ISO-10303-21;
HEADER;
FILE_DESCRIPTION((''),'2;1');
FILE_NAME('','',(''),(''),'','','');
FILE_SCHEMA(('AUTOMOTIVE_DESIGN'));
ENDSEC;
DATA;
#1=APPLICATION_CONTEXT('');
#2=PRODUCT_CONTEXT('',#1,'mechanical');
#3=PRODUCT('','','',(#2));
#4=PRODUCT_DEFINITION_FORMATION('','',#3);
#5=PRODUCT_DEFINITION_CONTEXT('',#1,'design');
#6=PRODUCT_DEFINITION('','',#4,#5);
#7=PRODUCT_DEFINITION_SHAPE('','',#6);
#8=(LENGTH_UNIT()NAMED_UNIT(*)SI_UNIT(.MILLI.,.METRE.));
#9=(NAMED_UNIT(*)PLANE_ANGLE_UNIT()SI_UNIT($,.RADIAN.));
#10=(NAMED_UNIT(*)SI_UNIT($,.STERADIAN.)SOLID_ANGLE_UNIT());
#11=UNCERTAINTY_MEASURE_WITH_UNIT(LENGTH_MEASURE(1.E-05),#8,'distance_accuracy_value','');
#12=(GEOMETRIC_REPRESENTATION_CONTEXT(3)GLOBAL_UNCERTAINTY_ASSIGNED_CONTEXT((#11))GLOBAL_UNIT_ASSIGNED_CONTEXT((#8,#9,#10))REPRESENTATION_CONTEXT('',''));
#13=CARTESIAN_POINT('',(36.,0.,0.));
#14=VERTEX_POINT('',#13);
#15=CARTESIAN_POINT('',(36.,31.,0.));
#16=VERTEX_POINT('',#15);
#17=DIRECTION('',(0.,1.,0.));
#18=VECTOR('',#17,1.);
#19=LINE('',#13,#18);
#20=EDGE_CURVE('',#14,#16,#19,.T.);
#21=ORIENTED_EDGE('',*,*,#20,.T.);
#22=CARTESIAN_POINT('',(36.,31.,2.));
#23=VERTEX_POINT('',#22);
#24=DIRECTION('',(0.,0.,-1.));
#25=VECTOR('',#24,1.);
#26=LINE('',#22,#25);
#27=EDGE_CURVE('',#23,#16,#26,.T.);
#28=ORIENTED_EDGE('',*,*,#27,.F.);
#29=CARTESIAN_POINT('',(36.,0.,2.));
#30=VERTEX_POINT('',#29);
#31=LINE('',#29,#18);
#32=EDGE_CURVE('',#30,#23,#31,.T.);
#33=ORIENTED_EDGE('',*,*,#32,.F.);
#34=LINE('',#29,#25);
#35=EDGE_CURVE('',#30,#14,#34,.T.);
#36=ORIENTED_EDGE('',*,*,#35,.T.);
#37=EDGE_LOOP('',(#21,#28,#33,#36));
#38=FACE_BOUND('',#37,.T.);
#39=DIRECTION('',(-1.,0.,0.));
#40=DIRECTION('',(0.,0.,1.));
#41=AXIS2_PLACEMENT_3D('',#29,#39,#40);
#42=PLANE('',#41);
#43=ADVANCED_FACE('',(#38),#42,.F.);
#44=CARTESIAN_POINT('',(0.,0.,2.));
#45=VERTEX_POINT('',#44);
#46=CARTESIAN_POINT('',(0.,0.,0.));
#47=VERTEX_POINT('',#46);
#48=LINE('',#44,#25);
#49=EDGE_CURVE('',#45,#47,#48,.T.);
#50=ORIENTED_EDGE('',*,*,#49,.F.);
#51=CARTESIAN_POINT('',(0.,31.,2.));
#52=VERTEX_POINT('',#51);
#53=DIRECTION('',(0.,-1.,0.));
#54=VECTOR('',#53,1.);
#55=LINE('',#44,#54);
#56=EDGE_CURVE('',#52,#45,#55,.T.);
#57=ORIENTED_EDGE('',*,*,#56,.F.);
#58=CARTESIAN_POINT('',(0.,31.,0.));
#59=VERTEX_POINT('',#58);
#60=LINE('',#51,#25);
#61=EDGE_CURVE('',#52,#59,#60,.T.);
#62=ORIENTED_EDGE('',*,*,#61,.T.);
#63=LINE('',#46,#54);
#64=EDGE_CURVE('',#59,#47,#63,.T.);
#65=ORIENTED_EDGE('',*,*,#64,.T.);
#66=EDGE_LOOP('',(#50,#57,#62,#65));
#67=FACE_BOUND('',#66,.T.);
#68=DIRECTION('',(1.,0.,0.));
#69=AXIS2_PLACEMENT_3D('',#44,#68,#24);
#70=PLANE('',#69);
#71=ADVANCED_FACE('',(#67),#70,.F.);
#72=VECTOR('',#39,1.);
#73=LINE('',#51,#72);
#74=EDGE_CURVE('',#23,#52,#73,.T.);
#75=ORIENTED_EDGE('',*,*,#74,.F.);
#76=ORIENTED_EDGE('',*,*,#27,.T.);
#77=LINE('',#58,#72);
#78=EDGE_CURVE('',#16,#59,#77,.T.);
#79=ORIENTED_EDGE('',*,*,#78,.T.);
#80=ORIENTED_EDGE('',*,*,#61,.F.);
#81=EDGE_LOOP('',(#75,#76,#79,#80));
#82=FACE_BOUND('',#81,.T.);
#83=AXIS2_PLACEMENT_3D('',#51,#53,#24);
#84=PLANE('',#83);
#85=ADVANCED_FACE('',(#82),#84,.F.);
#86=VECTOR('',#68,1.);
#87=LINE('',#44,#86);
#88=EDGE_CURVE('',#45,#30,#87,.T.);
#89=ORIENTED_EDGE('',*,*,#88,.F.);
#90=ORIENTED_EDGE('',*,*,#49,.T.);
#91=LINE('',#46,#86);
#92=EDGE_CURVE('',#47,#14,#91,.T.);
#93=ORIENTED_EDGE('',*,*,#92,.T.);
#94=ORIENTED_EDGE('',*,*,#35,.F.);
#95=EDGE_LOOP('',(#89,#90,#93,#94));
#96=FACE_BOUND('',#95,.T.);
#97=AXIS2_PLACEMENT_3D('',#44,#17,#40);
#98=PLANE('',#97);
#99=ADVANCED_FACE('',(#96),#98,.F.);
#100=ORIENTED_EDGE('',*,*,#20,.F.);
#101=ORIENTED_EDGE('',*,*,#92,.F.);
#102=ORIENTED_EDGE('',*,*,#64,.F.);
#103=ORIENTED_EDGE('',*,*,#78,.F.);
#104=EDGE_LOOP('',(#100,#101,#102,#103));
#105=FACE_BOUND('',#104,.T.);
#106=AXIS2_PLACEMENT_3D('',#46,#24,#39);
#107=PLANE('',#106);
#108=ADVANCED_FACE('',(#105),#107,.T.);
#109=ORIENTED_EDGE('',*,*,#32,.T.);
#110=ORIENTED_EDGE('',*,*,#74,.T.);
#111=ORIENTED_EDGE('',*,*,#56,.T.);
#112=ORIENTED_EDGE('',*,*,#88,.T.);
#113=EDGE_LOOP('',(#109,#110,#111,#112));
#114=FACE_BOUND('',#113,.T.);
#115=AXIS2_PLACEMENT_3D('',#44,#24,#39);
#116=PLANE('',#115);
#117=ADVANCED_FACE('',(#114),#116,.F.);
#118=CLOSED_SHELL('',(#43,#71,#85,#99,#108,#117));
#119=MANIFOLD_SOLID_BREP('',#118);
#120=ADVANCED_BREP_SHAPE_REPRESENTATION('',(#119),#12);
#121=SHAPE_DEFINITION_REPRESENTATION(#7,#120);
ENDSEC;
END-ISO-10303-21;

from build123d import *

# Parameters (mm, degrees)
SKETCH1_W     = 36
SKETCH1_H     = 31
PROFILE_DEPTH = 2


with BuildPart() as part:
    # Sketch1 → Profile (new body)
    with BuildSketch(Plane.XY):
        with Locations((18, 15.5)):
            Rectangle(SKETCH1_W, SKETCH1_H)
    extrude(amount=PROFILE_DEPTH)


solid = part.part
